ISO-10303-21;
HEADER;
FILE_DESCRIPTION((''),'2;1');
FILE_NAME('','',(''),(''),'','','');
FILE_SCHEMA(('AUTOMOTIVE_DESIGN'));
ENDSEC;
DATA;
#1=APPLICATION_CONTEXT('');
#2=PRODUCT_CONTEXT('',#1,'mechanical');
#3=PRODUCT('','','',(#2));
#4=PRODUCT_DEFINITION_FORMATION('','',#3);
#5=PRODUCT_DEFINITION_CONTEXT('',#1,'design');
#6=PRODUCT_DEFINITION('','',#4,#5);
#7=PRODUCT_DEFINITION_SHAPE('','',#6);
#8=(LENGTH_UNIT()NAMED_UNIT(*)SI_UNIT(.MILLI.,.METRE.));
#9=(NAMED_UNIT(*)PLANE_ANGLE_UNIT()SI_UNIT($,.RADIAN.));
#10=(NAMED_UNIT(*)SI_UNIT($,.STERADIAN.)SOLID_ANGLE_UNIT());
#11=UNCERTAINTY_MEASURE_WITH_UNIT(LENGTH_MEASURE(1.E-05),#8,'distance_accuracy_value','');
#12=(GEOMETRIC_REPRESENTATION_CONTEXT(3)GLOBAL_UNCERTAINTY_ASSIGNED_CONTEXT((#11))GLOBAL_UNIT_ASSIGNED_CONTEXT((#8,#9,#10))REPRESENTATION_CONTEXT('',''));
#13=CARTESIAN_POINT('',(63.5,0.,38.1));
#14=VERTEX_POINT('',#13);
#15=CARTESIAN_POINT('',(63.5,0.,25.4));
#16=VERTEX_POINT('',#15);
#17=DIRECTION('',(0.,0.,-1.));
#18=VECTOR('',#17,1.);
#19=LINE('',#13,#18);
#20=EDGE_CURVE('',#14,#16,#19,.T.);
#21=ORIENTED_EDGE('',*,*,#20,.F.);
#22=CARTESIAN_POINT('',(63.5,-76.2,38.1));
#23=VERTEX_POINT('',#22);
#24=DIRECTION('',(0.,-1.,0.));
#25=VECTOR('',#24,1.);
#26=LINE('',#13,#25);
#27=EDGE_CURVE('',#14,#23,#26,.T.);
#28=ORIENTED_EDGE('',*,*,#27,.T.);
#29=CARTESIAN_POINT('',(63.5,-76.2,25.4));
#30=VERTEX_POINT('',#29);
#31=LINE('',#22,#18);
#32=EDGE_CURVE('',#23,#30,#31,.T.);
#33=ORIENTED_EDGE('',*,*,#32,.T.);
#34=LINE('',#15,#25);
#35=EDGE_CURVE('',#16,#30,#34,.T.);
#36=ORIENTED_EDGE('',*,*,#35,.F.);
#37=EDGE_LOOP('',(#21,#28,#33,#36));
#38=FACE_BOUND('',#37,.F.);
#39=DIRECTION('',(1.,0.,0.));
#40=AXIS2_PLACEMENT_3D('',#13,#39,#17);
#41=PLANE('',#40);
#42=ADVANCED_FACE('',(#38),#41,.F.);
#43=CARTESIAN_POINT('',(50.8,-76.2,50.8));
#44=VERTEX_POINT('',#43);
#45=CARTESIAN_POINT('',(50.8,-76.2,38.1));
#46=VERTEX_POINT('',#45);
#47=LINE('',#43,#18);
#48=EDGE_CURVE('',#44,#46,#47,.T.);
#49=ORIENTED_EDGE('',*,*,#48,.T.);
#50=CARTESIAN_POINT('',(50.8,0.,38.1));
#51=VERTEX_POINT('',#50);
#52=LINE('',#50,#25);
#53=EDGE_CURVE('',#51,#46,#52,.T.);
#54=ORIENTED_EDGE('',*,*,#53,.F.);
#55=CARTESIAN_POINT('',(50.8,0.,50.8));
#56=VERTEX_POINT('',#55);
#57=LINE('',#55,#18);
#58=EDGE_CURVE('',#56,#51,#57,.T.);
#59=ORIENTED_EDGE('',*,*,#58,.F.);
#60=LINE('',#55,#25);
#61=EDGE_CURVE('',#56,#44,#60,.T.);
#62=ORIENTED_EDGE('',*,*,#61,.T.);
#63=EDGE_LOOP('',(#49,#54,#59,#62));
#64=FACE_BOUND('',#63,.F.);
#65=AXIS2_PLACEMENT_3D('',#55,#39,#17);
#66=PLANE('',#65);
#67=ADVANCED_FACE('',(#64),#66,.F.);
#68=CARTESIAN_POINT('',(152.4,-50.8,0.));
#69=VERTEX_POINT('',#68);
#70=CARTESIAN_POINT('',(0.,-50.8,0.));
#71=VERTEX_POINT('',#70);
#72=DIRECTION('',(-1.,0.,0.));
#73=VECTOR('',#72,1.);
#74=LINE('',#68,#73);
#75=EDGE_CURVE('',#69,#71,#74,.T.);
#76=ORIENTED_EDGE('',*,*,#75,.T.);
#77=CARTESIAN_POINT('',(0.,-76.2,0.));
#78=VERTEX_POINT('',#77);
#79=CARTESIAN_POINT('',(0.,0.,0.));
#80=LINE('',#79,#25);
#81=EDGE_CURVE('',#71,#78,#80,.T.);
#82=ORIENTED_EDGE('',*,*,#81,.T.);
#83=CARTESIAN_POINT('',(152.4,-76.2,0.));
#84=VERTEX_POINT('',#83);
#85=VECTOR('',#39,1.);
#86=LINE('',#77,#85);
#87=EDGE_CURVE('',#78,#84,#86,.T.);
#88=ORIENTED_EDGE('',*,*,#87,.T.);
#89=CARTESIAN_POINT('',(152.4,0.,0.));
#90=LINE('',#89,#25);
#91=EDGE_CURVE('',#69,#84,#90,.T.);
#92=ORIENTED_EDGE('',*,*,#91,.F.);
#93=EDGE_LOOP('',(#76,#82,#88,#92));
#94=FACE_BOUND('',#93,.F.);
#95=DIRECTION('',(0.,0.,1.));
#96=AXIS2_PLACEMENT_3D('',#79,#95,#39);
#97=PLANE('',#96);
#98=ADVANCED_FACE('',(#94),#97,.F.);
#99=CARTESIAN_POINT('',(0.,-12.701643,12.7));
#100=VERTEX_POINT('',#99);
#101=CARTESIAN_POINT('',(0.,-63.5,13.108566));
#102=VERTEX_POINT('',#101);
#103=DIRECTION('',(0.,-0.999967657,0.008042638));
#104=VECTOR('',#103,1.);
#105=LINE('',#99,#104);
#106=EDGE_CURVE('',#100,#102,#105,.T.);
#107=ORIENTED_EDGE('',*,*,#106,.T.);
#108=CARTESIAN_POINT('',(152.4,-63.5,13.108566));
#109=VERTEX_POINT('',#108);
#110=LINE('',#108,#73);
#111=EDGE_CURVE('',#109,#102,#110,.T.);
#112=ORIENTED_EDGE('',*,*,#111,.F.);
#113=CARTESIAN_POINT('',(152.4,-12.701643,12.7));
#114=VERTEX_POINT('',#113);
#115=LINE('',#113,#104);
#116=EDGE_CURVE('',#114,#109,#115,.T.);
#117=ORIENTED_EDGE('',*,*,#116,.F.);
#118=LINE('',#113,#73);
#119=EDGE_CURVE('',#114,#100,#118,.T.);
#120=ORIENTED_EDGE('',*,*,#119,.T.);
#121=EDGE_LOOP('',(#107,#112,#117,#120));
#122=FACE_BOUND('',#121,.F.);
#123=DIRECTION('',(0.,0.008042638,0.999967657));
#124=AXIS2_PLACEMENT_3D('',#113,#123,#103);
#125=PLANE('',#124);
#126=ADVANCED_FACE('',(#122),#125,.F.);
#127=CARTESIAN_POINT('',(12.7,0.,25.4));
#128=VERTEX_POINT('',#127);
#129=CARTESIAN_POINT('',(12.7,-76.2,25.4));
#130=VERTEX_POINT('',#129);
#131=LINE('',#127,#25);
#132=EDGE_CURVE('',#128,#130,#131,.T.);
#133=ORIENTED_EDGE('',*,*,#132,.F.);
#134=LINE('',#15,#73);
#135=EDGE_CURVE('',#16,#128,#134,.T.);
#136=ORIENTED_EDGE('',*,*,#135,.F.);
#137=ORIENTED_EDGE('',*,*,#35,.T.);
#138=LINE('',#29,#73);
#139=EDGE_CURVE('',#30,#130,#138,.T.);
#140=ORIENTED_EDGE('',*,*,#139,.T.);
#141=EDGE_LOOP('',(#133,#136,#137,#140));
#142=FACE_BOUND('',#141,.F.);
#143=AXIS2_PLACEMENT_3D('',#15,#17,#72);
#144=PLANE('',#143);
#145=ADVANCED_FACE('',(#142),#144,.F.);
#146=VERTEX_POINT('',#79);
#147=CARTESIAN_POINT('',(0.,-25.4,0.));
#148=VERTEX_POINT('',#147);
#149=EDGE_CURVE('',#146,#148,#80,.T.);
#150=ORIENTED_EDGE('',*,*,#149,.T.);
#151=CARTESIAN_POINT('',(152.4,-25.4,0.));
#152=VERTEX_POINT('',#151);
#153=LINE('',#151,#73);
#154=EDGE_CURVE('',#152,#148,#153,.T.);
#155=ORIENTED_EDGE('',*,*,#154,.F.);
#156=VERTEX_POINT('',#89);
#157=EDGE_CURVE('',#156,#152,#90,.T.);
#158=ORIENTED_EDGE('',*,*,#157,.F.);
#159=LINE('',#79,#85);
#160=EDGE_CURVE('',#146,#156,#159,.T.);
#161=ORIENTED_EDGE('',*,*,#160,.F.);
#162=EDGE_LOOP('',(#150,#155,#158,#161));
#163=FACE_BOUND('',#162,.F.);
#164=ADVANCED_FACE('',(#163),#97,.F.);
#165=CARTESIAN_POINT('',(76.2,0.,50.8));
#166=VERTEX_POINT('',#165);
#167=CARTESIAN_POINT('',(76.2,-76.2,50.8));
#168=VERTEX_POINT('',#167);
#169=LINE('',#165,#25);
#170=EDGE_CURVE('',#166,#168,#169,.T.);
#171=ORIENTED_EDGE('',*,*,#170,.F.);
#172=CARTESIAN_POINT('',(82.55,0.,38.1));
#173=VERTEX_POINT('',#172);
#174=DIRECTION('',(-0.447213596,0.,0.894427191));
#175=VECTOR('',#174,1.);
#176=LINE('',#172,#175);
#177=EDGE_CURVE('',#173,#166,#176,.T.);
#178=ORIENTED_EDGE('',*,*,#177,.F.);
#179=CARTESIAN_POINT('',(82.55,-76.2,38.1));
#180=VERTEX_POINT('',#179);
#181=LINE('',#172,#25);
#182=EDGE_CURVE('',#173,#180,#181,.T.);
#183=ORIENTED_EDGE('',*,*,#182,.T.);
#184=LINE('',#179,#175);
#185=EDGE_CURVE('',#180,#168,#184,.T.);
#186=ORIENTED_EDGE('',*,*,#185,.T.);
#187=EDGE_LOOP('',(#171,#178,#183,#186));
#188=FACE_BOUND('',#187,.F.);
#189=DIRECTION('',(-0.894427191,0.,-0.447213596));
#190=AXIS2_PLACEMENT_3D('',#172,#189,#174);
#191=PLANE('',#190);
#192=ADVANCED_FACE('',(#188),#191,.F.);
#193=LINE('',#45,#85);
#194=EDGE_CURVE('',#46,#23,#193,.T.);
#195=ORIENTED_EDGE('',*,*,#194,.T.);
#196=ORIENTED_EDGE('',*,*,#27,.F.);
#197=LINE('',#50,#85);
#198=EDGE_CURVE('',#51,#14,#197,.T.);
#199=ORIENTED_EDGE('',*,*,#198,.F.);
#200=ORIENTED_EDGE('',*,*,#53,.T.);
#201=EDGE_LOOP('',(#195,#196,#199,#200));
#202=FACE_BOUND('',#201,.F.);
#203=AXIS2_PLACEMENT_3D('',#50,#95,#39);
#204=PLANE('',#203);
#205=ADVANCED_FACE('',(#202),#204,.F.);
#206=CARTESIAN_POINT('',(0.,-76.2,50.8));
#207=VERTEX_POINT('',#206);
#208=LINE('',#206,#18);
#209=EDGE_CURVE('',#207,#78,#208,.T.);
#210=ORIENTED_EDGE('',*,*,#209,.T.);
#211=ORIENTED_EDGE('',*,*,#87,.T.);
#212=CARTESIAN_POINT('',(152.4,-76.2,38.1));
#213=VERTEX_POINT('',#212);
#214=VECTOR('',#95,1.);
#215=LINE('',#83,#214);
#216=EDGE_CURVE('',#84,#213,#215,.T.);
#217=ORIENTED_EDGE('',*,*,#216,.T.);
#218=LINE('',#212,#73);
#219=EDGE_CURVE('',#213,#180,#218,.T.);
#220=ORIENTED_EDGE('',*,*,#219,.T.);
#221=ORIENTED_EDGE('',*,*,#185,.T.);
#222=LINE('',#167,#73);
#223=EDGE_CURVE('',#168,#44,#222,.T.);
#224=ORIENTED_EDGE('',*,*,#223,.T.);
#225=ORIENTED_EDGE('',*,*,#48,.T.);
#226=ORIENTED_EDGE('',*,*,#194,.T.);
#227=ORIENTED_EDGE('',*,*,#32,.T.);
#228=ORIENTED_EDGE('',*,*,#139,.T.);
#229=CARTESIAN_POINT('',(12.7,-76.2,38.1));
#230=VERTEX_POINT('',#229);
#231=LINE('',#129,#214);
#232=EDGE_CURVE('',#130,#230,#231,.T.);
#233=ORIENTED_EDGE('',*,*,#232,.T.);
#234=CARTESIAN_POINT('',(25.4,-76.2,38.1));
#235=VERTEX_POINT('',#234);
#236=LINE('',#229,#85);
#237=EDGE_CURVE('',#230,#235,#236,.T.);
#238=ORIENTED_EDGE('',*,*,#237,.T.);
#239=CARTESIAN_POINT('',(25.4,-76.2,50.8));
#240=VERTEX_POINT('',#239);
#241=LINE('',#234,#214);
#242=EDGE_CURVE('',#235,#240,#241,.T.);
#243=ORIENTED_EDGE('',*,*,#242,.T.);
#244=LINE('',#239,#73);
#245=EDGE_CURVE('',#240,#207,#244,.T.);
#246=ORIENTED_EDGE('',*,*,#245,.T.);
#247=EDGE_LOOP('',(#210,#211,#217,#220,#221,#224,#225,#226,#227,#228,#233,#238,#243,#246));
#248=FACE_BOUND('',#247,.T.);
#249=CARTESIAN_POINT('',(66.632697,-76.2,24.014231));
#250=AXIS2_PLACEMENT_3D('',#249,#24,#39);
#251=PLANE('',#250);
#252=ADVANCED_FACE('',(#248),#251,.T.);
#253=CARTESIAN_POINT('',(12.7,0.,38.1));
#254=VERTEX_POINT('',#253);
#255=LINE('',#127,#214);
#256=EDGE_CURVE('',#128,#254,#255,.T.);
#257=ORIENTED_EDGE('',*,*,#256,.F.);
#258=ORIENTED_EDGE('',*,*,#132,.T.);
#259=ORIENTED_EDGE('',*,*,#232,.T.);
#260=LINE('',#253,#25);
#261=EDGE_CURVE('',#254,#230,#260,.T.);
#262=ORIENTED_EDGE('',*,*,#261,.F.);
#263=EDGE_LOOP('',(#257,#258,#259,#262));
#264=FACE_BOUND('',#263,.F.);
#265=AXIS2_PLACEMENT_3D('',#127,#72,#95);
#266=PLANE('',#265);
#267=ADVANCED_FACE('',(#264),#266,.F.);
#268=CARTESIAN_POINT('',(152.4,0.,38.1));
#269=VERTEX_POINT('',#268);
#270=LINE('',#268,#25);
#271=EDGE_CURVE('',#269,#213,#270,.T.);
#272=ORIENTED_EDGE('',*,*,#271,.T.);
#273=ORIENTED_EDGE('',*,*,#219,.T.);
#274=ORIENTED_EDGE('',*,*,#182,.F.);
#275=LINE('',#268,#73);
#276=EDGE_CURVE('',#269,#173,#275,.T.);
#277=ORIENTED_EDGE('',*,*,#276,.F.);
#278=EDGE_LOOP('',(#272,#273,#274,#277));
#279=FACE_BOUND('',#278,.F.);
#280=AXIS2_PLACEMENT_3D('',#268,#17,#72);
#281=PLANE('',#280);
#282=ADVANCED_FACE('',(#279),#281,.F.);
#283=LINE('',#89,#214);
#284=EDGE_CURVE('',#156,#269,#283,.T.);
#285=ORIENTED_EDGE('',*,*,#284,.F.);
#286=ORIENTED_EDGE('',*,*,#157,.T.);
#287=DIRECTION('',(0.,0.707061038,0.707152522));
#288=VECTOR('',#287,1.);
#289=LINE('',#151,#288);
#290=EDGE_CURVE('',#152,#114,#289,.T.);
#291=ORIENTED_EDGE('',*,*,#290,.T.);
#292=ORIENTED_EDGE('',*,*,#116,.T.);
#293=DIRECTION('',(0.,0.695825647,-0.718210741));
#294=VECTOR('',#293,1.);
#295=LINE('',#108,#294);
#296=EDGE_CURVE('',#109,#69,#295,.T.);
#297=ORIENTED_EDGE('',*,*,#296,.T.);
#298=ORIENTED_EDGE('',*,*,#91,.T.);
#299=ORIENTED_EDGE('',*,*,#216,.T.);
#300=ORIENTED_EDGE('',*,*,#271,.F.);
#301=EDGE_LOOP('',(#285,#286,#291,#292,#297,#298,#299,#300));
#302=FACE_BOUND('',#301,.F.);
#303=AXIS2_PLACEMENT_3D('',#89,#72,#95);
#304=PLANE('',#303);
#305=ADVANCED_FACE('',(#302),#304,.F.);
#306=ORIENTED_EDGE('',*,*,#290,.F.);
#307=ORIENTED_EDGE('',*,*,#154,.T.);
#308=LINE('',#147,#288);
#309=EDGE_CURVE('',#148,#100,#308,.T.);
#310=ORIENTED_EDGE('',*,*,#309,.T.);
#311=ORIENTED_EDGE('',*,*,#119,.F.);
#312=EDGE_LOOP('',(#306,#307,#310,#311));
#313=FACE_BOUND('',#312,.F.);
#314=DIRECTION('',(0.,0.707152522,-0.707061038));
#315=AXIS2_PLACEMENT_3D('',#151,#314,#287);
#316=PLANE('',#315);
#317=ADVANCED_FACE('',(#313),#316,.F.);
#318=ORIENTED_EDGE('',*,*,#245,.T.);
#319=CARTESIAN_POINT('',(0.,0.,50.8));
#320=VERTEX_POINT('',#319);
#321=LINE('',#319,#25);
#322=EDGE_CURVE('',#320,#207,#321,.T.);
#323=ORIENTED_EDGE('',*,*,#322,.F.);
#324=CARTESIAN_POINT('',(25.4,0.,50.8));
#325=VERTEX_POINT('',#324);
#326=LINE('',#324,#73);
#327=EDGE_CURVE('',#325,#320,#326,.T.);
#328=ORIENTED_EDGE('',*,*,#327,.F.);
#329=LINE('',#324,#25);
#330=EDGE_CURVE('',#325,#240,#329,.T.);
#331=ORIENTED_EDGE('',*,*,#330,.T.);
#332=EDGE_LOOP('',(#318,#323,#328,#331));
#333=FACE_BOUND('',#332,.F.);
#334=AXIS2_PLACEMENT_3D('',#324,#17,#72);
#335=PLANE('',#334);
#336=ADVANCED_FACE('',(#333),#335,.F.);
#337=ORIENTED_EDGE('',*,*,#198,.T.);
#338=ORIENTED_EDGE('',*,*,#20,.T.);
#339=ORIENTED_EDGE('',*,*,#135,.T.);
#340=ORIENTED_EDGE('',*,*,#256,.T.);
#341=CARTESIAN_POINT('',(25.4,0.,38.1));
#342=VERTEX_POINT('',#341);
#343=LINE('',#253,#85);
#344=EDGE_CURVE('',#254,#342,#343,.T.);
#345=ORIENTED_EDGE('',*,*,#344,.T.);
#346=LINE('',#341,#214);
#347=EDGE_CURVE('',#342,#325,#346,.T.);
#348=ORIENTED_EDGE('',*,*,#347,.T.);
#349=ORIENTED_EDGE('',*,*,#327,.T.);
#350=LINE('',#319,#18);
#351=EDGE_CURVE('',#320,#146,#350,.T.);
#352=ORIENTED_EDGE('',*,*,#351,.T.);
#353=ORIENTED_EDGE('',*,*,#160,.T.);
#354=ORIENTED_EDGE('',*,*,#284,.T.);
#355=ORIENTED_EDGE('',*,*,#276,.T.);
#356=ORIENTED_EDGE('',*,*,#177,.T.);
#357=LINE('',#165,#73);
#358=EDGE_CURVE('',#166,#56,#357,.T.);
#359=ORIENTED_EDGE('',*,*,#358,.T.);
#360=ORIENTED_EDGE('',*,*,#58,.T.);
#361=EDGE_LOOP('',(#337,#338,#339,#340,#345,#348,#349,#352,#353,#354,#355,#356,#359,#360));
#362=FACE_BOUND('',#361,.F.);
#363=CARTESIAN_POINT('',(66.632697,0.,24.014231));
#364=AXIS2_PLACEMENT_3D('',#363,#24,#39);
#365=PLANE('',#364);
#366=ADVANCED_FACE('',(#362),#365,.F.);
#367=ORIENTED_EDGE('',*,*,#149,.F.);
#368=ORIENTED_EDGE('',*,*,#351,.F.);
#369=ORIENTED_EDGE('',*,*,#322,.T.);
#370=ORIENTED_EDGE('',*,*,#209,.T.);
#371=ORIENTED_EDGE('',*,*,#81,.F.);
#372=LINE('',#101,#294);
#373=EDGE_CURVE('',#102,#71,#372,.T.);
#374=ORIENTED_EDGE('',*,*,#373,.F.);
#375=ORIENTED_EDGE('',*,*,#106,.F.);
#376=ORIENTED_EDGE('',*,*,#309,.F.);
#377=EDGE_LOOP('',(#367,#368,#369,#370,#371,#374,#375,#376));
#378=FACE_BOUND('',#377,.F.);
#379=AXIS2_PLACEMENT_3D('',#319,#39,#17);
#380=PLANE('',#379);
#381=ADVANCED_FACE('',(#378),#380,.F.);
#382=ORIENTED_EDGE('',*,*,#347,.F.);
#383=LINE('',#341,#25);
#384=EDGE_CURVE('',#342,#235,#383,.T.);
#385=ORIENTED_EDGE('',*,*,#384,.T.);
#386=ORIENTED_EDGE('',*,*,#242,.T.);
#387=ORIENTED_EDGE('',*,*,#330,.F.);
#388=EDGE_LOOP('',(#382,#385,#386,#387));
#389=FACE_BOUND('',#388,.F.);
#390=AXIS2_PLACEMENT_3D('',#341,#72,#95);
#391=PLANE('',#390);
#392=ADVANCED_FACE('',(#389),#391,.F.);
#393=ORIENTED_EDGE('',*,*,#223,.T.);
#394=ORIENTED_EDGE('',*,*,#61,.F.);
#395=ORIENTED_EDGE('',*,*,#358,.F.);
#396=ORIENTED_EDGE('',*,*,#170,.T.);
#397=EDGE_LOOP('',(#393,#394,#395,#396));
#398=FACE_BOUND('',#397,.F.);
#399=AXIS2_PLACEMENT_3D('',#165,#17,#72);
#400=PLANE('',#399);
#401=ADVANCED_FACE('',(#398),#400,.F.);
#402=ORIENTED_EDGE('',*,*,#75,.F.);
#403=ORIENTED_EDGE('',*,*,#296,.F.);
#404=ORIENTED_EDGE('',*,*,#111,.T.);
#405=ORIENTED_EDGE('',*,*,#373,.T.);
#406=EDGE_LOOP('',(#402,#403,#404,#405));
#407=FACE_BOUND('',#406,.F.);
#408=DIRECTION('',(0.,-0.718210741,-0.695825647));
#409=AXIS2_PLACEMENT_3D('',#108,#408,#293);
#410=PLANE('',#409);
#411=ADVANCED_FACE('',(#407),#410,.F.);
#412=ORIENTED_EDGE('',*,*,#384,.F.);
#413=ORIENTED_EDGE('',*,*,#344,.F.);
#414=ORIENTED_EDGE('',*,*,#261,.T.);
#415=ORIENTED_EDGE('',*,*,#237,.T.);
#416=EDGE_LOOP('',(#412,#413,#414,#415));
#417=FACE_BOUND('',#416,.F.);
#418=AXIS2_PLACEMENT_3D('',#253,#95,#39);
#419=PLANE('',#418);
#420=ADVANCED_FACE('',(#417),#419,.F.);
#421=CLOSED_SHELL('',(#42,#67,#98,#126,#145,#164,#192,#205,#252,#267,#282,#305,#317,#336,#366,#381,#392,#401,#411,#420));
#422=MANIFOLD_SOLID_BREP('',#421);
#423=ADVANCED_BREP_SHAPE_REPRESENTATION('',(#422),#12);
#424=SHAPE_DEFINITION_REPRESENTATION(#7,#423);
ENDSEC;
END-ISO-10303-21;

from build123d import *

# Parameters (mm, degrees)
F1_DEPTH = 76.2
F3_DEPTH = 152.4


with BuildPart() as f1:
    # F0 (on Front) → F1 (new body)
    with BuildSketch(Plane.XZ):
        Polygon((0, 50.8), (0, 0), (152.4, 0), (152.4, 38.1), (82.55, 38.1), (76.2, 50.8), (50.8, 50.8), (50.8, 38.1), (63.5, 38.1), (63.5, 25.4), (12.7, 25.4), (12.7, 38.1), (25.4, 38.1), (25.4, 50.8), align=None)
    extrude(amount=F1_DEPTH)

    # F2 (on face) → F3 (cut)
    with BuildSketch(Plane.YZ.offset(152.4)):
        Polygon((-12.701643, 12.7), (-63.5, 13.108566), (-50.8, 0), (-25.4, 0), align=None)
    extrude(amount=-F3_DEPTH, mode=Mode.SUBTRACT)


solid = f1.part
